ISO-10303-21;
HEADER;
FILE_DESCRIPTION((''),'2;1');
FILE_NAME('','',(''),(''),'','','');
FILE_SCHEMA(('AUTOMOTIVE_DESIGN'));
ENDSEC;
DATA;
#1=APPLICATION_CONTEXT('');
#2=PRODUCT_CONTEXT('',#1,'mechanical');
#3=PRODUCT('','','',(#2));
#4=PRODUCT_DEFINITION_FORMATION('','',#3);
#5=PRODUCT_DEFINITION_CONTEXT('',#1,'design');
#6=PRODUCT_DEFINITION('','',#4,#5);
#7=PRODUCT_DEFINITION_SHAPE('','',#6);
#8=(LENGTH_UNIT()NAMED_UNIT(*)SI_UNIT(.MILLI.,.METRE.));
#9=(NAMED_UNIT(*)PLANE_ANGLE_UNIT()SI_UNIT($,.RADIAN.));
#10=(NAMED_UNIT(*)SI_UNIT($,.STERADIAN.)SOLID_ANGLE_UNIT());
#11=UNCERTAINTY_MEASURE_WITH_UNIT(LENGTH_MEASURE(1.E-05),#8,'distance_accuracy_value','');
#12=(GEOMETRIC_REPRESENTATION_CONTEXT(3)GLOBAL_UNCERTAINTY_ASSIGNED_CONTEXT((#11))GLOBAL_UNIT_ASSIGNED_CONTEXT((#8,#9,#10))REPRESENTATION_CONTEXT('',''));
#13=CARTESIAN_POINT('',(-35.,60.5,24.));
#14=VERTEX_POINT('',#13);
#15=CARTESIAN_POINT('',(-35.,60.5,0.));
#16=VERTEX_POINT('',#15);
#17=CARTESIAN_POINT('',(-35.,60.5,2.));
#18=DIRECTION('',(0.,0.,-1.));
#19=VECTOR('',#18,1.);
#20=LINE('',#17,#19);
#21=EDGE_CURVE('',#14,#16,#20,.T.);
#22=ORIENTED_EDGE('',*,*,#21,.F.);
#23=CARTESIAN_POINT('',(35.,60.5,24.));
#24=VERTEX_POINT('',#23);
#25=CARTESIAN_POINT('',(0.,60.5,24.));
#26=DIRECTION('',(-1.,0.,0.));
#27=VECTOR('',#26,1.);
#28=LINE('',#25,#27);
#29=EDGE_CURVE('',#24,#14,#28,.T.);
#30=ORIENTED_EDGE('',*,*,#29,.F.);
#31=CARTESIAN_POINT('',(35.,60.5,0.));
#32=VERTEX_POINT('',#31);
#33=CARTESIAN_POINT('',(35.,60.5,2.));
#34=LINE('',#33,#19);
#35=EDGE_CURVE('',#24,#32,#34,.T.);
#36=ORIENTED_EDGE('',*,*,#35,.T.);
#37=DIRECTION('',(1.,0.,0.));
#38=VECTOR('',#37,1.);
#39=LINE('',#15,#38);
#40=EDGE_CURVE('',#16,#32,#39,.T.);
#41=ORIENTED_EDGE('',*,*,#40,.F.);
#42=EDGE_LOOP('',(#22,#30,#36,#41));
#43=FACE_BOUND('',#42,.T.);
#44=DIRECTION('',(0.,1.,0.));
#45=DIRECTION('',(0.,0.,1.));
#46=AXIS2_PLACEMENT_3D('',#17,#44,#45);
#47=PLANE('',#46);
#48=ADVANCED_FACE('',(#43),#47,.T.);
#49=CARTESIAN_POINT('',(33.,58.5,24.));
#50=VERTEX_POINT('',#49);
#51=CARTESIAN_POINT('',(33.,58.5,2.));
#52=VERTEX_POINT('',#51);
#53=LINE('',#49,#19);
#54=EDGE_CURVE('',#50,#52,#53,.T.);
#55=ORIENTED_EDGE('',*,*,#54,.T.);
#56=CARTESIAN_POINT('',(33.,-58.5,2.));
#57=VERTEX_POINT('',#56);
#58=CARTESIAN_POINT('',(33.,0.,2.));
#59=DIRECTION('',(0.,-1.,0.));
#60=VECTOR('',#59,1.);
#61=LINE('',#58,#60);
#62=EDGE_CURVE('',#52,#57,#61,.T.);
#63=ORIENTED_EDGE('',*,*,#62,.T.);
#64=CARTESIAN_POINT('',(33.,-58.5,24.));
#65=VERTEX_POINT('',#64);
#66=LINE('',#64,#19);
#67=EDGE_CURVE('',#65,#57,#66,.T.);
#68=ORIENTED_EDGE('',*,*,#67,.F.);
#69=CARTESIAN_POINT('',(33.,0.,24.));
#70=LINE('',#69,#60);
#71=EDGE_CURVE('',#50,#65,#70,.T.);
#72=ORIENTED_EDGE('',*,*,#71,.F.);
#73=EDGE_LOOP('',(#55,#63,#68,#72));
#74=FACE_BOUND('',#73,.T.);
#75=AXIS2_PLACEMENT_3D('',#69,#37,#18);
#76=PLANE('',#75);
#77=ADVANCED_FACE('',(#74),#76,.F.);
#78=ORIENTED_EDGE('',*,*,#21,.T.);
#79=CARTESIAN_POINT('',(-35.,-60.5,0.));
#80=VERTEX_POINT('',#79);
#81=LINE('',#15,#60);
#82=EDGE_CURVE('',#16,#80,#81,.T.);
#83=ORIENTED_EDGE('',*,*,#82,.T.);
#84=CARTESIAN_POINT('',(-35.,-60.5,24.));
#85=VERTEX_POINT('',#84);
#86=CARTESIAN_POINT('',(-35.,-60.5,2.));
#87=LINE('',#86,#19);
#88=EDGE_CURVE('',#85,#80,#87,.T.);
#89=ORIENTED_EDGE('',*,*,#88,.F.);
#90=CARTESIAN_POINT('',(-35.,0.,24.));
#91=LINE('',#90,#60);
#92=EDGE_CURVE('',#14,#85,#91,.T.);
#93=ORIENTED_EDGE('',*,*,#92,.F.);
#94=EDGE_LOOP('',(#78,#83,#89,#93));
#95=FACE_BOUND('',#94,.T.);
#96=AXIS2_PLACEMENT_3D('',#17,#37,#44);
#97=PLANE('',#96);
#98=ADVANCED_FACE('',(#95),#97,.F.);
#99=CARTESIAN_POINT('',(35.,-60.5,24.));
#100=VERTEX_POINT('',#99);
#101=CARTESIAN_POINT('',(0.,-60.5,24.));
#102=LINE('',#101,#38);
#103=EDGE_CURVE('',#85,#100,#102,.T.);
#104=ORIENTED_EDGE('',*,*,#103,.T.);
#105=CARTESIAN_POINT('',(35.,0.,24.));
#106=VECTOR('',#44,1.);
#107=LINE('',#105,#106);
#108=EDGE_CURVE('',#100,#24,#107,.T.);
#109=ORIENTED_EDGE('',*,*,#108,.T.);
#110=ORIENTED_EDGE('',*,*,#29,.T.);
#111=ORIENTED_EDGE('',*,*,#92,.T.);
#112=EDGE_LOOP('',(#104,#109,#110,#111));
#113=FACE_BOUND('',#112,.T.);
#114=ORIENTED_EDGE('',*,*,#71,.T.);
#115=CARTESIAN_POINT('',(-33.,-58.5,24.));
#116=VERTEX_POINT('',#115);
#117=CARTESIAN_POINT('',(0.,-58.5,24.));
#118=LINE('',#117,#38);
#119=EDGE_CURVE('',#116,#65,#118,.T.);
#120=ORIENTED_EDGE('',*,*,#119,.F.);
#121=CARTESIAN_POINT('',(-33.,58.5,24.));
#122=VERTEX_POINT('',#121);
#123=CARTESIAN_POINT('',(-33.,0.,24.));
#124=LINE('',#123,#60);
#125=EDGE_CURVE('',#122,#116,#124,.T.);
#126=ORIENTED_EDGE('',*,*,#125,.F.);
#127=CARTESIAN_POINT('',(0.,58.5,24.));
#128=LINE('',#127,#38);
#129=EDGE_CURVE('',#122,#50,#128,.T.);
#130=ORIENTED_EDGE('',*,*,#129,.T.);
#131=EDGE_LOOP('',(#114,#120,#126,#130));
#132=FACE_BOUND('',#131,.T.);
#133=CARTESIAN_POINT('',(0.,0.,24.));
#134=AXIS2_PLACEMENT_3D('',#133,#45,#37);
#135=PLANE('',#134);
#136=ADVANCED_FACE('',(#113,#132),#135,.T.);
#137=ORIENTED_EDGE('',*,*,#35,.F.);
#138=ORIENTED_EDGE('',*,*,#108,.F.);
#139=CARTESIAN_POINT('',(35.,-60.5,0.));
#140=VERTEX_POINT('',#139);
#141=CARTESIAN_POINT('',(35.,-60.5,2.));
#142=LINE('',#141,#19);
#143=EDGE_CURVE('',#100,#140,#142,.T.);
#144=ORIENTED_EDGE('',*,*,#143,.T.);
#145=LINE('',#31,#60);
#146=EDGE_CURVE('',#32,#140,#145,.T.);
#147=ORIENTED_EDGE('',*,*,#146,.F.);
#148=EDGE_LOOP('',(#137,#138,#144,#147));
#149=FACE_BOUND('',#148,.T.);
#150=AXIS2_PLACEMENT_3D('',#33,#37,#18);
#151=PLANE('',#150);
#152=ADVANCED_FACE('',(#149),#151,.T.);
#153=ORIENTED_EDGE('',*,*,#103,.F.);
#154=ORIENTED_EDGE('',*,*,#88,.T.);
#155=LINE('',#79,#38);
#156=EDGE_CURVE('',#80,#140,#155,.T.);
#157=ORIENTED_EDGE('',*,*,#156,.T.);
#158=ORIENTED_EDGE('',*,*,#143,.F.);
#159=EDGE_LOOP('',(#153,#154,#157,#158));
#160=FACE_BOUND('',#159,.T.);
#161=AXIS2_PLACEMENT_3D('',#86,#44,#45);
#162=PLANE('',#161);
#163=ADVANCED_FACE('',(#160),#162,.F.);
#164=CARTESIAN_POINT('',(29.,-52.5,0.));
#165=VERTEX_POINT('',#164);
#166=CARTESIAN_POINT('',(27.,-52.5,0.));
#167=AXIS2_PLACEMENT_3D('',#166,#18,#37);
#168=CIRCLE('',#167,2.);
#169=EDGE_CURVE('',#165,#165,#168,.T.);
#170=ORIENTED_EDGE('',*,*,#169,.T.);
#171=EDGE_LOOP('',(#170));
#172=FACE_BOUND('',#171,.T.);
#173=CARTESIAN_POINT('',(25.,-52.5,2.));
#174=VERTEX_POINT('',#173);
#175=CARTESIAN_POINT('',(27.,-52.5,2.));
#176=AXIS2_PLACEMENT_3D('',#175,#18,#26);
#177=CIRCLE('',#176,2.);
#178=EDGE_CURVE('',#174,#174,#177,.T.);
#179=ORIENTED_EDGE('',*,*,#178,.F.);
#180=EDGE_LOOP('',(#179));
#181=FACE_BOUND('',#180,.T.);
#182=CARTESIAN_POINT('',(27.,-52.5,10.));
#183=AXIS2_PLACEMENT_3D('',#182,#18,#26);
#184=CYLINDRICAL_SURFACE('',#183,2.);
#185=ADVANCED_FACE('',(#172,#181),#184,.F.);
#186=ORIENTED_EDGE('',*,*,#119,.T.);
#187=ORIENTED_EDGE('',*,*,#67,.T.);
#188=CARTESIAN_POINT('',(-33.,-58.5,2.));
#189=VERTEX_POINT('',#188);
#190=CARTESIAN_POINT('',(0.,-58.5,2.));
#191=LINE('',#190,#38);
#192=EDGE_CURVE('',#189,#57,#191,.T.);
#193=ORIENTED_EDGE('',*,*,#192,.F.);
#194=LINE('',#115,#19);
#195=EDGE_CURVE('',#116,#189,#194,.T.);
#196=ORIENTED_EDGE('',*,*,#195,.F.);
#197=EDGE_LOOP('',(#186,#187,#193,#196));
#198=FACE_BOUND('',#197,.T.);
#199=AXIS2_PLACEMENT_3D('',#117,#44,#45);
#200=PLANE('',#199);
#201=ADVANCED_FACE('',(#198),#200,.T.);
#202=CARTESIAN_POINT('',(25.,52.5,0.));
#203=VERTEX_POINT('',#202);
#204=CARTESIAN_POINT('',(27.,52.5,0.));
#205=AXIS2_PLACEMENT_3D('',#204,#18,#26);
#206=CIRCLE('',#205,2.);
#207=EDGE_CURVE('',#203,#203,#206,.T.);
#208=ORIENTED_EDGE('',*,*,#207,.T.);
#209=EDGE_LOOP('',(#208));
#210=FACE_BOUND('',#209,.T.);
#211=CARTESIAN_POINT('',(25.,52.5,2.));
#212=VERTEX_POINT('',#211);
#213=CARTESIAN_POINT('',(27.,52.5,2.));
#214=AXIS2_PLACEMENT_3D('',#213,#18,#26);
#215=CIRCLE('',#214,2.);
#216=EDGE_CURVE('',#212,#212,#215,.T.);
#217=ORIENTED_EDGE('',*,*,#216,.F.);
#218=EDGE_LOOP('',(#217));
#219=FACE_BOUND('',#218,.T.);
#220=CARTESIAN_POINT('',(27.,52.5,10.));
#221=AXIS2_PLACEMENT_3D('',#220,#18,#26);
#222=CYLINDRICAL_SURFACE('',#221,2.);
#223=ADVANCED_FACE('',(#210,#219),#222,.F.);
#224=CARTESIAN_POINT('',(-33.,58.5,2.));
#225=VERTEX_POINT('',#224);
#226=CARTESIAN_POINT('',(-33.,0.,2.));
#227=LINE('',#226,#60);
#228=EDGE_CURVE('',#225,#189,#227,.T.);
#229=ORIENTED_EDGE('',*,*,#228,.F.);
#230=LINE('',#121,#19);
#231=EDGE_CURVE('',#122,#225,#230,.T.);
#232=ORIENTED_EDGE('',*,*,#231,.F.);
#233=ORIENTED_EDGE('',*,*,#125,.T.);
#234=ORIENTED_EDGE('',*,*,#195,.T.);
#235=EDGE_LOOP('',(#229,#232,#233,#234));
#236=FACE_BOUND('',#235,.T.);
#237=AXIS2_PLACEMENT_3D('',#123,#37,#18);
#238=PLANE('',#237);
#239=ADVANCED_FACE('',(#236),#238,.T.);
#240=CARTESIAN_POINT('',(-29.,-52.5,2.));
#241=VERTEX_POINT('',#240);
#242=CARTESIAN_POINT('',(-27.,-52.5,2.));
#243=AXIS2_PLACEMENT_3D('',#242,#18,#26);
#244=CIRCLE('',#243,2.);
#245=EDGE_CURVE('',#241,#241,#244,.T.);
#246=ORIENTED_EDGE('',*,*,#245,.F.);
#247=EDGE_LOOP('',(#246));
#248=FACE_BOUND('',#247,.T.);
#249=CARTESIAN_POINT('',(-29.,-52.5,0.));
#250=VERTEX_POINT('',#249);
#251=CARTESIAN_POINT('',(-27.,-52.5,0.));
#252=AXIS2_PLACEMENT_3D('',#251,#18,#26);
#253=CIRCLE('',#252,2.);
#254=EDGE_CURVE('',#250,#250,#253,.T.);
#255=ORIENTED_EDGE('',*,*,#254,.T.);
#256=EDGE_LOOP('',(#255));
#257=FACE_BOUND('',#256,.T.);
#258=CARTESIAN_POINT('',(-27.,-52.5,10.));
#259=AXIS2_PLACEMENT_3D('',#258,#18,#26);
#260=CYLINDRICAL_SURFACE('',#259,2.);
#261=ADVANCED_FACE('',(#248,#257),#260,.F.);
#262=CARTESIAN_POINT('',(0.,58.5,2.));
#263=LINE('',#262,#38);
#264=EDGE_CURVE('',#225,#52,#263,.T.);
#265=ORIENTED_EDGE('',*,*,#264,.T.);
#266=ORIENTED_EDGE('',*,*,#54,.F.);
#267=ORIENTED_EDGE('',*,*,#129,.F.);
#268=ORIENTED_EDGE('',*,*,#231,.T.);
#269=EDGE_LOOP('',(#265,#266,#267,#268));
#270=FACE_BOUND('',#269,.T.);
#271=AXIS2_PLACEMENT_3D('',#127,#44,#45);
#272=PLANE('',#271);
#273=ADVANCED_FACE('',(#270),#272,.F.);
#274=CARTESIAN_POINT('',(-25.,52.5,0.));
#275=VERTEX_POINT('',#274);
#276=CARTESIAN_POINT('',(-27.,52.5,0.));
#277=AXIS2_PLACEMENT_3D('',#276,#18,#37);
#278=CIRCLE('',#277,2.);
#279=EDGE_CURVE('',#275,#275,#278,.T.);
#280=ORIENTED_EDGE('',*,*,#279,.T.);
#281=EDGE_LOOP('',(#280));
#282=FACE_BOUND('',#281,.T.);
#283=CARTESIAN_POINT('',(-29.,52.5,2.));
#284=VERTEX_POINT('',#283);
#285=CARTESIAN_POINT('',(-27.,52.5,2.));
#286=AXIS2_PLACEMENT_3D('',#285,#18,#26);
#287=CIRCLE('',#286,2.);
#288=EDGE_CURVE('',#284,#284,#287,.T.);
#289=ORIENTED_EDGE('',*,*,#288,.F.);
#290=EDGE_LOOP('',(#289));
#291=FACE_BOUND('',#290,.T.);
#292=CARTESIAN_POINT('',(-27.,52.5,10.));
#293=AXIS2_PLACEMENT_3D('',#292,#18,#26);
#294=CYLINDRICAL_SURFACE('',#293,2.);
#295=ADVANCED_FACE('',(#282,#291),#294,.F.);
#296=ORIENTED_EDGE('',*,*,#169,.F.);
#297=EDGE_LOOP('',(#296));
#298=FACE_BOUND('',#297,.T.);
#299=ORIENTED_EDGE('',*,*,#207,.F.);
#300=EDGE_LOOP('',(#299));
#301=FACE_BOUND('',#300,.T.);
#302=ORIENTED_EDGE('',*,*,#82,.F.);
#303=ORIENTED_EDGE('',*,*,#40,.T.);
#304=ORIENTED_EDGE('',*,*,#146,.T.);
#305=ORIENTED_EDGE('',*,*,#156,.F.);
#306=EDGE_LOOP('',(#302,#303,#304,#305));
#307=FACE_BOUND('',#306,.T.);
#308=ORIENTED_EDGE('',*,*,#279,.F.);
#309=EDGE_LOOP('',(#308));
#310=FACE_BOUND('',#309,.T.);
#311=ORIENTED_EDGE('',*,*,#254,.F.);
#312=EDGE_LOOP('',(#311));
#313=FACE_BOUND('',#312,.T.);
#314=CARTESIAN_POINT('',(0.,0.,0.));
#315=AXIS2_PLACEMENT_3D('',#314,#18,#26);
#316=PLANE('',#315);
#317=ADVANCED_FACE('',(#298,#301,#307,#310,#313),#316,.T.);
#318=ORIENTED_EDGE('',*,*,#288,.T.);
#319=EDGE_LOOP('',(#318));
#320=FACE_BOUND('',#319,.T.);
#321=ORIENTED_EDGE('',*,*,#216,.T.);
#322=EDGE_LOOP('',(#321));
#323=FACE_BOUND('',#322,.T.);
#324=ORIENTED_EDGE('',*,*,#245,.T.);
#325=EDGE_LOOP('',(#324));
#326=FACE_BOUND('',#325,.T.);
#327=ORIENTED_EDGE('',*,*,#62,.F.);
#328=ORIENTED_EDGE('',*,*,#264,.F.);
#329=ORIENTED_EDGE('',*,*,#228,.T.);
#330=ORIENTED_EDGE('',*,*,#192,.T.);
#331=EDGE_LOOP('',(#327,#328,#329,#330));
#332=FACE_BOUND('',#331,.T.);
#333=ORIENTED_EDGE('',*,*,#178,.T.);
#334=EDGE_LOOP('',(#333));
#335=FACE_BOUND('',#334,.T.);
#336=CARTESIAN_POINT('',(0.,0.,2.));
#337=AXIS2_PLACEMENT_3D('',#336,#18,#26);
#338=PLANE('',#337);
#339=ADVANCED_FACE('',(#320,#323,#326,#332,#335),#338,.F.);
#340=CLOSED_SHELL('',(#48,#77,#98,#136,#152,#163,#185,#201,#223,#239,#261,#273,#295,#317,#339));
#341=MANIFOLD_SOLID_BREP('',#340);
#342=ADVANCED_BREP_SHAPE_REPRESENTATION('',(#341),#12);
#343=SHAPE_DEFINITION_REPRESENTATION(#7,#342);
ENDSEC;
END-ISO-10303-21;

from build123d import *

# Parameters (mm, degrees)
CROQUIS1_W              = 70
CROQUIS1_H              = 121
SALIENTE_EXTRUIR1_DEPTH = 2
CROQUIS2_W              = 70
CROQUIS2_H              = 121
CROQUIS2_W_2            = 66
CROQUIS2_H_2            = 117
SALIENTE_EXTRUIR2_DEPTH = 22
CROQUIS3_R              = 2
CORTAR_EXTRUIR1_DEPTH   = 10


with BuildPart() as part:
    # Croquis1 → Saliente-Extruir1 (new body)
    with BuildSketch(Plane.XY):
        Rectangle(CROQUIS1_W, CROQUIS1_H)
    extrude(amount=SALIENTE_EXTRUIR1_DEPTH)

    # Croquis2 → Saliente-Extruir2 (add)
    with BuildSketch(Plane.XY.offset(2)):
        Rectangle(CROQUIS2_W, CROQUIS2_H)
        Rectangle(CROQUIS2_W_2, CROQUIS2_H_2, mode=Mode.SUBTRACT)
    extrude(amount=SALIENTE_EXTRUIR2_DEPTH)

    # Croquis3 → Cortar-Extruir1 (cut)
    with BuildSketch(Plane(origin=(0, 0, 0), x_dir=(-1, 0, 0), z_dir=(0, 0, -1))):
        with Locations((-27, 52.5)):
            Circle(CROQUIS3_R)
        with Locations((-27, -52.5)):
            Circle(CROQUIS3_R)
        with Locations((27, -52.5)):
            Circle(CROQUIS3_R)
        with Locations((27, 52.5)):
            Circle(CROQUIS3_R)
    extrude(amount=-CORTAR_EXTRUIR1_DEPTH, mode=Mode.SUBTRACT)


solid = part.part
